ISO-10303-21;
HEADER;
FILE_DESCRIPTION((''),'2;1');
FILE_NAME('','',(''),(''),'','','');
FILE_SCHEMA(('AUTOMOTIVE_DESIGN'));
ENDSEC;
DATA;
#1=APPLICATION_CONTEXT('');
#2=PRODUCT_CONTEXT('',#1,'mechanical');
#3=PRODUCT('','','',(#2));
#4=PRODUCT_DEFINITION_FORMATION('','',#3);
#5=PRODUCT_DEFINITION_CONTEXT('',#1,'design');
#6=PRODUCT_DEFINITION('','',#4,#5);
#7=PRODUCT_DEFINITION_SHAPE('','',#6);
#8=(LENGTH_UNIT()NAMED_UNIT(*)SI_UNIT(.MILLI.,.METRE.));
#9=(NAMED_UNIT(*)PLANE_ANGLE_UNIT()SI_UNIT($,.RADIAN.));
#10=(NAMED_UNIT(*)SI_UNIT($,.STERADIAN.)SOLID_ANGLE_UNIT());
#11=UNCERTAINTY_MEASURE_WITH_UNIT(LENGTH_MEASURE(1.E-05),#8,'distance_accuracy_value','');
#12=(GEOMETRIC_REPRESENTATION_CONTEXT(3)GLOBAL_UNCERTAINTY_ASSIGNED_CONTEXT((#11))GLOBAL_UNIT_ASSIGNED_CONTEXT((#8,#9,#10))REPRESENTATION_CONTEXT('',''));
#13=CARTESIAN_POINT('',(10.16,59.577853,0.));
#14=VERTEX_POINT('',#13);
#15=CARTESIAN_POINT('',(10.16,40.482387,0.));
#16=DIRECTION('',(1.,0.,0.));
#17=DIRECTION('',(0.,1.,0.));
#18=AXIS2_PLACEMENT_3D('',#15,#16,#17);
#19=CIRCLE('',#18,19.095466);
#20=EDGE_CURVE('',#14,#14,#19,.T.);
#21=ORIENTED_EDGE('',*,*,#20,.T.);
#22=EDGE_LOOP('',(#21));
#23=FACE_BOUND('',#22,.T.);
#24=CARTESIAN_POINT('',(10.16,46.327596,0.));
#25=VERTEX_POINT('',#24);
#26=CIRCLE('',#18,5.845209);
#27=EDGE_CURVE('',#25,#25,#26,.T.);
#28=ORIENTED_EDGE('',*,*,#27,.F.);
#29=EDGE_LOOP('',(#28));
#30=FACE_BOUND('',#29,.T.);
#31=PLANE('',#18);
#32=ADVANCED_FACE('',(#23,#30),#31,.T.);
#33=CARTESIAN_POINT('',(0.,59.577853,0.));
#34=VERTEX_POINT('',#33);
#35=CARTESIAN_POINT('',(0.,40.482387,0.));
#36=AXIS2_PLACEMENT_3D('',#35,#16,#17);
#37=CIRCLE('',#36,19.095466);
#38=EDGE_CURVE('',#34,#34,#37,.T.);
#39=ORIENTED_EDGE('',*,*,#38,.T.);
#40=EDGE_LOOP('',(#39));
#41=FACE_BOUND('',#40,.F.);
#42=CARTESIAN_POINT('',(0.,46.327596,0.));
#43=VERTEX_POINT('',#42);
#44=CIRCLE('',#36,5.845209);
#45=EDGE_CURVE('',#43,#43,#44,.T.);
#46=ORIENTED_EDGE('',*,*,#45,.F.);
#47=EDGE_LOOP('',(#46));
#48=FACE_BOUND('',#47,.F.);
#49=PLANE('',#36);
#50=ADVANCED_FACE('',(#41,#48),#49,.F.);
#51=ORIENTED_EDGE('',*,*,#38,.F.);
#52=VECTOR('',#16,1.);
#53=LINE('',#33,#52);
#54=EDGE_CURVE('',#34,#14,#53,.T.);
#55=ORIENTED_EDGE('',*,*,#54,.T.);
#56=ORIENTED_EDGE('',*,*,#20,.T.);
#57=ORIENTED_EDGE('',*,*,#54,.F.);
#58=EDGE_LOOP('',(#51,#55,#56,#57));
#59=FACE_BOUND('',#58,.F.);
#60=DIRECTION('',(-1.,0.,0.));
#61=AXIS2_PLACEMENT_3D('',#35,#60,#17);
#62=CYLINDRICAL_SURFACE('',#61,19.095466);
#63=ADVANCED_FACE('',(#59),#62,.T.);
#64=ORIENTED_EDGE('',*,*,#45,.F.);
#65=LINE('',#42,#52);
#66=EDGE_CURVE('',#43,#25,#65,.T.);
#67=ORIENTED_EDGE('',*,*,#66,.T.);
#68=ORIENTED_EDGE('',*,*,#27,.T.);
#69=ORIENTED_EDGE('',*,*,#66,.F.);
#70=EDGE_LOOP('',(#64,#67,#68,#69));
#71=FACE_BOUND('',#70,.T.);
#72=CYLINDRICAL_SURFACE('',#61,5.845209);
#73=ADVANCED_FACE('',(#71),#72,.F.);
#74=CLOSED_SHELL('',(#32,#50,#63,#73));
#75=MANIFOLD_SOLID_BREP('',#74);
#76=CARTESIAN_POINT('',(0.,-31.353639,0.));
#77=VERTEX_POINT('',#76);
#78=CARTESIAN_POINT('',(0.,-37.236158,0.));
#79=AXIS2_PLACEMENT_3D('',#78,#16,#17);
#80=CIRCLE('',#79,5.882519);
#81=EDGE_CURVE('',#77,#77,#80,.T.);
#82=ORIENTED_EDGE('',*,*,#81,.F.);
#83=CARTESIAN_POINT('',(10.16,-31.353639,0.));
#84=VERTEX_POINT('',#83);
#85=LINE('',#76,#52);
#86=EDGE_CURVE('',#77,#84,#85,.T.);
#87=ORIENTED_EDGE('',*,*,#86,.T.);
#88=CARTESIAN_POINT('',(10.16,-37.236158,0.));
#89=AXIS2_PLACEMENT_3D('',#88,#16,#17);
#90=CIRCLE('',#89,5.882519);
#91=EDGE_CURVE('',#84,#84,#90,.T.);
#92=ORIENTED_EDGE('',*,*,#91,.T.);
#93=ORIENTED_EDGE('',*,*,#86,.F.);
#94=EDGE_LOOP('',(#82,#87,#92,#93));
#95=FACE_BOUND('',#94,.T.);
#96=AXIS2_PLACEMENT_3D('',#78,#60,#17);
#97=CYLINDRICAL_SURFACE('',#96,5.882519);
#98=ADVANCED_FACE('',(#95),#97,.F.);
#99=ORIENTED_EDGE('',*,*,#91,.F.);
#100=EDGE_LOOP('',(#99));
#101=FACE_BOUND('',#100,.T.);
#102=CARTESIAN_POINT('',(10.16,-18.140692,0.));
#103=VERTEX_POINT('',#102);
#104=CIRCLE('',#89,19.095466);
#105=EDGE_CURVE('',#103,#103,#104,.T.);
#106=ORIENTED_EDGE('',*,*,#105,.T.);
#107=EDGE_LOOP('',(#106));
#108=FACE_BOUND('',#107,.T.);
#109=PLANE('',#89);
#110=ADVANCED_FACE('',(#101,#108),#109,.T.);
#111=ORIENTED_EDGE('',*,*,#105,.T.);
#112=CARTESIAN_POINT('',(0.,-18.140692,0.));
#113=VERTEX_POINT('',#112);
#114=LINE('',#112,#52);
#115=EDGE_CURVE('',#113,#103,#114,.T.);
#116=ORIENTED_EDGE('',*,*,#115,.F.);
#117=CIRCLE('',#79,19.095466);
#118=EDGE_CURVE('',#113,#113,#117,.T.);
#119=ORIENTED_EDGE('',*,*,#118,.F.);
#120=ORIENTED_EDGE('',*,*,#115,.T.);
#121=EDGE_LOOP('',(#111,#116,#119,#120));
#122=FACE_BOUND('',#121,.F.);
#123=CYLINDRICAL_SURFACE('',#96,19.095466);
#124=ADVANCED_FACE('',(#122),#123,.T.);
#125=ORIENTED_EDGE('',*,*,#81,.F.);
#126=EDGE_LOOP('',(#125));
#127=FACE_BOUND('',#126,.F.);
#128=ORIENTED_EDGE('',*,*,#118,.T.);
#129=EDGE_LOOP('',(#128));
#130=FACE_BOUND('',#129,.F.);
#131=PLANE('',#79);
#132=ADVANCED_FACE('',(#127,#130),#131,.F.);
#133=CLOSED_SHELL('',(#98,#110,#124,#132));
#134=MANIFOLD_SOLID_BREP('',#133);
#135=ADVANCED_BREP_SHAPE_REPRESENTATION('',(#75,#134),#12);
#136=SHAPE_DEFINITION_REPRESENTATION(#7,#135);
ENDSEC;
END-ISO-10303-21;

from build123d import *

# Parameters (mm, degrees)
F0_R     = 19.095466
F0_R_2   = 5.882519
F0_R_3   = 5.845209
F1_DEPTH = 10.16


with BuildPart() as f1:
    # F0 (on Right) → F1 (new body)
    with BuildSketch(Plane.YZ):
        with Locations((-37.236158, 0)):
            Circle(F0_R)
        with Locations((-37.236158, 0)):
            Circle(F0_R_2, mode=Mode.SUBTRACT)
        with Locations((40.482387, 0)):
            Circle(F0_R)
        with Locations((40.482387, 0)):
            Circle(F0_R_3, mode=Mode.SUBTRACT)
    extrude(amount=F1_DEPTH)


solid = f1.part
